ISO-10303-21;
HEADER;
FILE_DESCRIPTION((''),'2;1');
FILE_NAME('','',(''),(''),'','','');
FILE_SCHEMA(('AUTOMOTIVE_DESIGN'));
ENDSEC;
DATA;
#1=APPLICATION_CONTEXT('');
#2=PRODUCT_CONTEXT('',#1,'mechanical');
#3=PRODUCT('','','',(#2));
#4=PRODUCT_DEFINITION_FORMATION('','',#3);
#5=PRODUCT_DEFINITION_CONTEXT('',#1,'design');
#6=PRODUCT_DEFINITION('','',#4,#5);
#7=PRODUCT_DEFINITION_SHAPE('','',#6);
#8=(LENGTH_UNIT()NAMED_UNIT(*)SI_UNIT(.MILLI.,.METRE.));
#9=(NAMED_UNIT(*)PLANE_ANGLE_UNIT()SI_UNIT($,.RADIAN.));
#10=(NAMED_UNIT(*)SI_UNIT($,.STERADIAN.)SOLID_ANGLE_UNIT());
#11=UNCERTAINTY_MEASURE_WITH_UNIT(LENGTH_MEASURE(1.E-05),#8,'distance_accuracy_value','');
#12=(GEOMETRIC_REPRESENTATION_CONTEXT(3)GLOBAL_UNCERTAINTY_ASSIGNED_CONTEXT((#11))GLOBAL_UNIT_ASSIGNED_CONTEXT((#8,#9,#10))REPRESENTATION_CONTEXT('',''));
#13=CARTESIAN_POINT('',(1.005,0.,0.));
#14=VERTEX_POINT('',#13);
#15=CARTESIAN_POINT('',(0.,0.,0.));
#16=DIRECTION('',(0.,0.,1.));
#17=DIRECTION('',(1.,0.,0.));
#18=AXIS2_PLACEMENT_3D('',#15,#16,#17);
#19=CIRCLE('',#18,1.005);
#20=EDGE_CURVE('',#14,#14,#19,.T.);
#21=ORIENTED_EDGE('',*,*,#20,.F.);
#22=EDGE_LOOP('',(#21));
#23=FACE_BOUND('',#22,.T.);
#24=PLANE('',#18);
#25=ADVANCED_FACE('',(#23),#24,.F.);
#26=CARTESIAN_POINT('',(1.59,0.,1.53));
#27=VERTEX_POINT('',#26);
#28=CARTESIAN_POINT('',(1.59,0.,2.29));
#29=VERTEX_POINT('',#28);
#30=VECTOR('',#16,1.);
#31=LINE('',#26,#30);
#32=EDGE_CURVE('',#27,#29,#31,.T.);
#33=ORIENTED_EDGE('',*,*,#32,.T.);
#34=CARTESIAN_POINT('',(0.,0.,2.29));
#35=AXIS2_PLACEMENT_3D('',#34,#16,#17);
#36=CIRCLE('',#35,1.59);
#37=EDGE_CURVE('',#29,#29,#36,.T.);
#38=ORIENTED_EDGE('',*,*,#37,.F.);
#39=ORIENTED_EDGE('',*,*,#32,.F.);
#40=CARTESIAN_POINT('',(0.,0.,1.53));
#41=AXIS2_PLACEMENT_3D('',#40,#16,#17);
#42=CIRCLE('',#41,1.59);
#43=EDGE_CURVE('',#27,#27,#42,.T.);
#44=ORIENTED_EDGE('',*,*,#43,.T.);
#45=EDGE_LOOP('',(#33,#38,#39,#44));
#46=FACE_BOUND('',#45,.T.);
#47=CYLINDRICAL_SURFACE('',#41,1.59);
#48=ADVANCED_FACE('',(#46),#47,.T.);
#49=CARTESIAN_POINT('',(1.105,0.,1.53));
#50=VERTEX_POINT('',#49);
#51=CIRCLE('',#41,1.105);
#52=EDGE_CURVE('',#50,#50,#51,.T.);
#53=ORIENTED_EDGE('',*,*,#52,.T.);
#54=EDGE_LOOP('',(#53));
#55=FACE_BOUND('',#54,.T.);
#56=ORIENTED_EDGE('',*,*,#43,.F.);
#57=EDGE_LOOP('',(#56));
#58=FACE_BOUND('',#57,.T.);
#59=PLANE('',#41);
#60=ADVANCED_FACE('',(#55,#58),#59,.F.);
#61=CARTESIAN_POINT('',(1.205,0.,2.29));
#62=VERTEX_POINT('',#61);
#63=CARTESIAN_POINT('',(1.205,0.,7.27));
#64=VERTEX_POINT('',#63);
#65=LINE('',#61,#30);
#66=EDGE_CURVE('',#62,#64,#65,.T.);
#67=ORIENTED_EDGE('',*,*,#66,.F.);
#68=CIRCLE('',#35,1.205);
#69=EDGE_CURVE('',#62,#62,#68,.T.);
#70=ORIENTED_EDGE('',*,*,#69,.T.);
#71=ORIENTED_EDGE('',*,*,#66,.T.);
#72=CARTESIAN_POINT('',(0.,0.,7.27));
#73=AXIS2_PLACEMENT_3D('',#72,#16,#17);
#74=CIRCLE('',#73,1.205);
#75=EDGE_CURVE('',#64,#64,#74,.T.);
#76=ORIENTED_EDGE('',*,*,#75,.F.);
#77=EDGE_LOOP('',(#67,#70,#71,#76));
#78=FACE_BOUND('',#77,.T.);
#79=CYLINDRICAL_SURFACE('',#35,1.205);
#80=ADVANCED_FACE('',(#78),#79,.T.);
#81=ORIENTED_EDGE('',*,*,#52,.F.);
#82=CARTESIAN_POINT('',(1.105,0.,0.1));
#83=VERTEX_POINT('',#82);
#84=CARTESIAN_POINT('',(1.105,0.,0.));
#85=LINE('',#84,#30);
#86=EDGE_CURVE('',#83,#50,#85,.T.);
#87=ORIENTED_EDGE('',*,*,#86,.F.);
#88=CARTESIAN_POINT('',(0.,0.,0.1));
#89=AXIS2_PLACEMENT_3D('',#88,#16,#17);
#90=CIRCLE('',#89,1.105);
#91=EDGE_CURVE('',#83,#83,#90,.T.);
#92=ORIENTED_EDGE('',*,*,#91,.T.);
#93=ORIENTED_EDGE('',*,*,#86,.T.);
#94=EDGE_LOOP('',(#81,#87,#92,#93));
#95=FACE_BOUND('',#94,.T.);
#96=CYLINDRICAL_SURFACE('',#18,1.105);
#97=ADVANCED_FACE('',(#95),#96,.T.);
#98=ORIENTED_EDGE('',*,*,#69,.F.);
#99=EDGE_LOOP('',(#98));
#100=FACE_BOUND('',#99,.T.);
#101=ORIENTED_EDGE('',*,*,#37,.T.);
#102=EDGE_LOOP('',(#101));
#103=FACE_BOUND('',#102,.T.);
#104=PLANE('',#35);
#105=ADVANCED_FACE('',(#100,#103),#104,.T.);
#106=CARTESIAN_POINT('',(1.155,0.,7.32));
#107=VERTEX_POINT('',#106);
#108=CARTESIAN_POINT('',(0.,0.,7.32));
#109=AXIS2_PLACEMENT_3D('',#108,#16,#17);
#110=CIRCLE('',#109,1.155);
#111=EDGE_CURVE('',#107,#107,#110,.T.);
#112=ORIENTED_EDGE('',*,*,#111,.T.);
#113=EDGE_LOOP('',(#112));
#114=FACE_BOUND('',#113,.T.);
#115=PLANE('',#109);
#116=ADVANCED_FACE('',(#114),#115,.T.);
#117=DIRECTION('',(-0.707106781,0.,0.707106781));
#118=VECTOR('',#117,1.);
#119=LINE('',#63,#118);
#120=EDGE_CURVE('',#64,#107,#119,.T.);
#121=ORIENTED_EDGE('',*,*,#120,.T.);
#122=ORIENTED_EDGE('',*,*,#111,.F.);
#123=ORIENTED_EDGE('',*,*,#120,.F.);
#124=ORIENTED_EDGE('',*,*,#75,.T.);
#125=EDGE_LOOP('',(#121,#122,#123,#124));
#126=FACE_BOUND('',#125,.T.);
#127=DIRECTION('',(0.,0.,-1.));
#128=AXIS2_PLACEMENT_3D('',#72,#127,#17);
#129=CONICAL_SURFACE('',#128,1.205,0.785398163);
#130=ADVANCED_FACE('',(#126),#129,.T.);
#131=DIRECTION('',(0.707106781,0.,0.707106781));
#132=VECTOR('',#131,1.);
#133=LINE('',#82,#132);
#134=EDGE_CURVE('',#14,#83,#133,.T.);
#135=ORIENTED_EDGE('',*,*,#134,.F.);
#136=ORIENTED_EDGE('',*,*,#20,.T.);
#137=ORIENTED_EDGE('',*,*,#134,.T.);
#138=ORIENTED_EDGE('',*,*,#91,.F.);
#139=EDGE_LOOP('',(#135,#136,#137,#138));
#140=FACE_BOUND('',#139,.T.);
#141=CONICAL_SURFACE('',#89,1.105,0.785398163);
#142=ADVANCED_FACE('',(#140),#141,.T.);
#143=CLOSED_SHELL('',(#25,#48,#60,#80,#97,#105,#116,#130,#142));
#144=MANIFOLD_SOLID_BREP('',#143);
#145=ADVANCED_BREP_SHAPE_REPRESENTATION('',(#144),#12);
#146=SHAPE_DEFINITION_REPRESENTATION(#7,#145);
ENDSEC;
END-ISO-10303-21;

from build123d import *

# Parameters (mm, degrees)
CHAMFER_SIZE    = 0.1
CHAMFER001_SIZE = 0.05


with BuildPart() as part:
    # Sketch → Revolution (revolve)
    with BuildSketch(Plane.XZ):
        Polygon((0, 0), (1.105, 0), (1.105, 1.53), (1.59, 1.53), (1.59, 2.29), (1.205, 2.29), (1.205, 7.32), (0, 7.32), align=None)
    revolve(axis=Axis((0, 0, 0), (0, 0, 1)))

    # Chamfer
    chamfer_edges = [part.edges().sort_by_distance(p)[0] for p in [
        (-1.105, 0, 0),
    ]]
    chamfer(chamfer_edges, length=CHAMFER_SIZE)

    # Chamfer001
    chamfer001_edges = [part.edges().sort_by_distance(p)[0] for p in [
        (-1.205, 0, 7.32),
    ]]
    chamfer(chamfer001_edges, length=CHAMFER001_SIZE)


solid = part.part
